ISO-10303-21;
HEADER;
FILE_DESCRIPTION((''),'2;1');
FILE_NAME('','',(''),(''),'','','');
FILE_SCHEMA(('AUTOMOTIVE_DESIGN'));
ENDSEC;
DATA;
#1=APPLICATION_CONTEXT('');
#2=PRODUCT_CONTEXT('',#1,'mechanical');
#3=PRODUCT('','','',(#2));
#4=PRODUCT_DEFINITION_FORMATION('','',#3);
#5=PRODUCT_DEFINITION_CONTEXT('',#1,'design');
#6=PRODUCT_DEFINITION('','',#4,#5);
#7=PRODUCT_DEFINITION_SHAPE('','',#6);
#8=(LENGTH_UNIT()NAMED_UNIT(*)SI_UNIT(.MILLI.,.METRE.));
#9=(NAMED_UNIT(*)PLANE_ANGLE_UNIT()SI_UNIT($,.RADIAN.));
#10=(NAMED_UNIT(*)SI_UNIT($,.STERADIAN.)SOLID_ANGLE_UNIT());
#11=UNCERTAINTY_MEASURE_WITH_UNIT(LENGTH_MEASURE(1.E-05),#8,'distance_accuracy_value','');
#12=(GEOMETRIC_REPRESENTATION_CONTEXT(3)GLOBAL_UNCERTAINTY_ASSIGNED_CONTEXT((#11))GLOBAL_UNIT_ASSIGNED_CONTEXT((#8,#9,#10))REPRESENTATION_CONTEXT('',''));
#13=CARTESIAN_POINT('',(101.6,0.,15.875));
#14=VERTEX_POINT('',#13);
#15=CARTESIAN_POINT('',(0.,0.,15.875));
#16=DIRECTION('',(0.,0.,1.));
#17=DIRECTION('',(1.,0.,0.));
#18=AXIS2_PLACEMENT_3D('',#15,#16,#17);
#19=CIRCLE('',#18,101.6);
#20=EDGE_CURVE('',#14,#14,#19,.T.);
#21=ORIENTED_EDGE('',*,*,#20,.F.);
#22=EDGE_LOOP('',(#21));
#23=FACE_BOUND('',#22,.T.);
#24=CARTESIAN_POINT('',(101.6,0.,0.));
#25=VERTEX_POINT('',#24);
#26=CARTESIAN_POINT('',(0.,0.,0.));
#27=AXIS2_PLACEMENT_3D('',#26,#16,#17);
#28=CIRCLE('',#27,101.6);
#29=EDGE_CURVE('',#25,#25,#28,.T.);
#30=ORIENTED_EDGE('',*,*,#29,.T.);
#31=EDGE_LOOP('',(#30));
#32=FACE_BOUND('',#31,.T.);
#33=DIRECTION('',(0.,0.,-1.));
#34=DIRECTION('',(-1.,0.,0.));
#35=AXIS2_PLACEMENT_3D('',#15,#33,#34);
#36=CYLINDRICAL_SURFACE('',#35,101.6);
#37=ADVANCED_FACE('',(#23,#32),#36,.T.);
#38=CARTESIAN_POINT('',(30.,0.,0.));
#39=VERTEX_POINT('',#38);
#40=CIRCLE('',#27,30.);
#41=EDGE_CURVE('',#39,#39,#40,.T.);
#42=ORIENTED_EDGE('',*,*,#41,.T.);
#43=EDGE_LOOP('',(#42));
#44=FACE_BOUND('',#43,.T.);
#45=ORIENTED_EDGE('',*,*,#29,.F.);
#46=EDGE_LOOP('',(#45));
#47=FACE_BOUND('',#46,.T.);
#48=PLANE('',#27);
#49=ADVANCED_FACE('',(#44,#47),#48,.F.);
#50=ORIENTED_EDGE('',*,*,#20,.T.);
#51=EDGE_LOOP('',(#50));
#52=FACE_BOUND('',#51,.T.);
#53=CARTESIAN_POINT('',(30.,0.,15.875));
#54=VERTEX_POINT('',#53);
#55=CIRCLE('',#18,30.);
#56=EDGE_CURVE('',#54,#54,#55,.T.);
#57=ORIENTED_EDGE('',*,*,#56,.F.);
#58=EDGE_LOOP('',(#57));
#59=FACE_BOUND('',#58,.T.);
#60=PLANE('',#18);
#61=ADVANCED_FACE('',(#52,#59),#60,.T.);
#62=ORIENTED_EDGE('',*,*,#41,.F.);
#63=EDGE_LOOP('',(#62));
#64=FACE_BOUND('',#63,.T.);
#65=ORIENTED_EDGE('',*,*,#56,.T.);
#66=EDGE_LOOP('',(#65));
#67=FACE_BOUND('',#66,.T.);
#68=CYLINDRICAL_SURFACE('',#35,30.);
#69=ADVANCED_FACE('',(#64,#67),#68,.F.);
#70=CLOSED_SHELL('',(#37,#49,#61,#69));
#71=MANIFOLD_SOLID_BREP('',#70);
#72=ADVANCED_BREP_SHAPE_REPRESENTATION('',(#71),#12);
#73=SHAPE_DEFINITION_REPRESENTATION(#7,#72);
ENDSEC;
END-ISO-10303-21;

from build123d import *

# Parameters (mm, degrees)
BASEPLATE_R         = 101.6
BASEPLATE_R_2       = 30
BOSS_EXTRUDE1_DEPTH = 15.875


with BuildPart() as part:
    # Baseplate → Boss-Extrude1 (new body)
    with BuildSketch(Plane.XY):
        Circle(BASEPLATE_R)
        Circle(BASEPLATE_R_2, mode=Mode.SUBTRACT)
    extrude(amount=BOSS_EXTRUDE1_DEPTH)


solid = part.part
